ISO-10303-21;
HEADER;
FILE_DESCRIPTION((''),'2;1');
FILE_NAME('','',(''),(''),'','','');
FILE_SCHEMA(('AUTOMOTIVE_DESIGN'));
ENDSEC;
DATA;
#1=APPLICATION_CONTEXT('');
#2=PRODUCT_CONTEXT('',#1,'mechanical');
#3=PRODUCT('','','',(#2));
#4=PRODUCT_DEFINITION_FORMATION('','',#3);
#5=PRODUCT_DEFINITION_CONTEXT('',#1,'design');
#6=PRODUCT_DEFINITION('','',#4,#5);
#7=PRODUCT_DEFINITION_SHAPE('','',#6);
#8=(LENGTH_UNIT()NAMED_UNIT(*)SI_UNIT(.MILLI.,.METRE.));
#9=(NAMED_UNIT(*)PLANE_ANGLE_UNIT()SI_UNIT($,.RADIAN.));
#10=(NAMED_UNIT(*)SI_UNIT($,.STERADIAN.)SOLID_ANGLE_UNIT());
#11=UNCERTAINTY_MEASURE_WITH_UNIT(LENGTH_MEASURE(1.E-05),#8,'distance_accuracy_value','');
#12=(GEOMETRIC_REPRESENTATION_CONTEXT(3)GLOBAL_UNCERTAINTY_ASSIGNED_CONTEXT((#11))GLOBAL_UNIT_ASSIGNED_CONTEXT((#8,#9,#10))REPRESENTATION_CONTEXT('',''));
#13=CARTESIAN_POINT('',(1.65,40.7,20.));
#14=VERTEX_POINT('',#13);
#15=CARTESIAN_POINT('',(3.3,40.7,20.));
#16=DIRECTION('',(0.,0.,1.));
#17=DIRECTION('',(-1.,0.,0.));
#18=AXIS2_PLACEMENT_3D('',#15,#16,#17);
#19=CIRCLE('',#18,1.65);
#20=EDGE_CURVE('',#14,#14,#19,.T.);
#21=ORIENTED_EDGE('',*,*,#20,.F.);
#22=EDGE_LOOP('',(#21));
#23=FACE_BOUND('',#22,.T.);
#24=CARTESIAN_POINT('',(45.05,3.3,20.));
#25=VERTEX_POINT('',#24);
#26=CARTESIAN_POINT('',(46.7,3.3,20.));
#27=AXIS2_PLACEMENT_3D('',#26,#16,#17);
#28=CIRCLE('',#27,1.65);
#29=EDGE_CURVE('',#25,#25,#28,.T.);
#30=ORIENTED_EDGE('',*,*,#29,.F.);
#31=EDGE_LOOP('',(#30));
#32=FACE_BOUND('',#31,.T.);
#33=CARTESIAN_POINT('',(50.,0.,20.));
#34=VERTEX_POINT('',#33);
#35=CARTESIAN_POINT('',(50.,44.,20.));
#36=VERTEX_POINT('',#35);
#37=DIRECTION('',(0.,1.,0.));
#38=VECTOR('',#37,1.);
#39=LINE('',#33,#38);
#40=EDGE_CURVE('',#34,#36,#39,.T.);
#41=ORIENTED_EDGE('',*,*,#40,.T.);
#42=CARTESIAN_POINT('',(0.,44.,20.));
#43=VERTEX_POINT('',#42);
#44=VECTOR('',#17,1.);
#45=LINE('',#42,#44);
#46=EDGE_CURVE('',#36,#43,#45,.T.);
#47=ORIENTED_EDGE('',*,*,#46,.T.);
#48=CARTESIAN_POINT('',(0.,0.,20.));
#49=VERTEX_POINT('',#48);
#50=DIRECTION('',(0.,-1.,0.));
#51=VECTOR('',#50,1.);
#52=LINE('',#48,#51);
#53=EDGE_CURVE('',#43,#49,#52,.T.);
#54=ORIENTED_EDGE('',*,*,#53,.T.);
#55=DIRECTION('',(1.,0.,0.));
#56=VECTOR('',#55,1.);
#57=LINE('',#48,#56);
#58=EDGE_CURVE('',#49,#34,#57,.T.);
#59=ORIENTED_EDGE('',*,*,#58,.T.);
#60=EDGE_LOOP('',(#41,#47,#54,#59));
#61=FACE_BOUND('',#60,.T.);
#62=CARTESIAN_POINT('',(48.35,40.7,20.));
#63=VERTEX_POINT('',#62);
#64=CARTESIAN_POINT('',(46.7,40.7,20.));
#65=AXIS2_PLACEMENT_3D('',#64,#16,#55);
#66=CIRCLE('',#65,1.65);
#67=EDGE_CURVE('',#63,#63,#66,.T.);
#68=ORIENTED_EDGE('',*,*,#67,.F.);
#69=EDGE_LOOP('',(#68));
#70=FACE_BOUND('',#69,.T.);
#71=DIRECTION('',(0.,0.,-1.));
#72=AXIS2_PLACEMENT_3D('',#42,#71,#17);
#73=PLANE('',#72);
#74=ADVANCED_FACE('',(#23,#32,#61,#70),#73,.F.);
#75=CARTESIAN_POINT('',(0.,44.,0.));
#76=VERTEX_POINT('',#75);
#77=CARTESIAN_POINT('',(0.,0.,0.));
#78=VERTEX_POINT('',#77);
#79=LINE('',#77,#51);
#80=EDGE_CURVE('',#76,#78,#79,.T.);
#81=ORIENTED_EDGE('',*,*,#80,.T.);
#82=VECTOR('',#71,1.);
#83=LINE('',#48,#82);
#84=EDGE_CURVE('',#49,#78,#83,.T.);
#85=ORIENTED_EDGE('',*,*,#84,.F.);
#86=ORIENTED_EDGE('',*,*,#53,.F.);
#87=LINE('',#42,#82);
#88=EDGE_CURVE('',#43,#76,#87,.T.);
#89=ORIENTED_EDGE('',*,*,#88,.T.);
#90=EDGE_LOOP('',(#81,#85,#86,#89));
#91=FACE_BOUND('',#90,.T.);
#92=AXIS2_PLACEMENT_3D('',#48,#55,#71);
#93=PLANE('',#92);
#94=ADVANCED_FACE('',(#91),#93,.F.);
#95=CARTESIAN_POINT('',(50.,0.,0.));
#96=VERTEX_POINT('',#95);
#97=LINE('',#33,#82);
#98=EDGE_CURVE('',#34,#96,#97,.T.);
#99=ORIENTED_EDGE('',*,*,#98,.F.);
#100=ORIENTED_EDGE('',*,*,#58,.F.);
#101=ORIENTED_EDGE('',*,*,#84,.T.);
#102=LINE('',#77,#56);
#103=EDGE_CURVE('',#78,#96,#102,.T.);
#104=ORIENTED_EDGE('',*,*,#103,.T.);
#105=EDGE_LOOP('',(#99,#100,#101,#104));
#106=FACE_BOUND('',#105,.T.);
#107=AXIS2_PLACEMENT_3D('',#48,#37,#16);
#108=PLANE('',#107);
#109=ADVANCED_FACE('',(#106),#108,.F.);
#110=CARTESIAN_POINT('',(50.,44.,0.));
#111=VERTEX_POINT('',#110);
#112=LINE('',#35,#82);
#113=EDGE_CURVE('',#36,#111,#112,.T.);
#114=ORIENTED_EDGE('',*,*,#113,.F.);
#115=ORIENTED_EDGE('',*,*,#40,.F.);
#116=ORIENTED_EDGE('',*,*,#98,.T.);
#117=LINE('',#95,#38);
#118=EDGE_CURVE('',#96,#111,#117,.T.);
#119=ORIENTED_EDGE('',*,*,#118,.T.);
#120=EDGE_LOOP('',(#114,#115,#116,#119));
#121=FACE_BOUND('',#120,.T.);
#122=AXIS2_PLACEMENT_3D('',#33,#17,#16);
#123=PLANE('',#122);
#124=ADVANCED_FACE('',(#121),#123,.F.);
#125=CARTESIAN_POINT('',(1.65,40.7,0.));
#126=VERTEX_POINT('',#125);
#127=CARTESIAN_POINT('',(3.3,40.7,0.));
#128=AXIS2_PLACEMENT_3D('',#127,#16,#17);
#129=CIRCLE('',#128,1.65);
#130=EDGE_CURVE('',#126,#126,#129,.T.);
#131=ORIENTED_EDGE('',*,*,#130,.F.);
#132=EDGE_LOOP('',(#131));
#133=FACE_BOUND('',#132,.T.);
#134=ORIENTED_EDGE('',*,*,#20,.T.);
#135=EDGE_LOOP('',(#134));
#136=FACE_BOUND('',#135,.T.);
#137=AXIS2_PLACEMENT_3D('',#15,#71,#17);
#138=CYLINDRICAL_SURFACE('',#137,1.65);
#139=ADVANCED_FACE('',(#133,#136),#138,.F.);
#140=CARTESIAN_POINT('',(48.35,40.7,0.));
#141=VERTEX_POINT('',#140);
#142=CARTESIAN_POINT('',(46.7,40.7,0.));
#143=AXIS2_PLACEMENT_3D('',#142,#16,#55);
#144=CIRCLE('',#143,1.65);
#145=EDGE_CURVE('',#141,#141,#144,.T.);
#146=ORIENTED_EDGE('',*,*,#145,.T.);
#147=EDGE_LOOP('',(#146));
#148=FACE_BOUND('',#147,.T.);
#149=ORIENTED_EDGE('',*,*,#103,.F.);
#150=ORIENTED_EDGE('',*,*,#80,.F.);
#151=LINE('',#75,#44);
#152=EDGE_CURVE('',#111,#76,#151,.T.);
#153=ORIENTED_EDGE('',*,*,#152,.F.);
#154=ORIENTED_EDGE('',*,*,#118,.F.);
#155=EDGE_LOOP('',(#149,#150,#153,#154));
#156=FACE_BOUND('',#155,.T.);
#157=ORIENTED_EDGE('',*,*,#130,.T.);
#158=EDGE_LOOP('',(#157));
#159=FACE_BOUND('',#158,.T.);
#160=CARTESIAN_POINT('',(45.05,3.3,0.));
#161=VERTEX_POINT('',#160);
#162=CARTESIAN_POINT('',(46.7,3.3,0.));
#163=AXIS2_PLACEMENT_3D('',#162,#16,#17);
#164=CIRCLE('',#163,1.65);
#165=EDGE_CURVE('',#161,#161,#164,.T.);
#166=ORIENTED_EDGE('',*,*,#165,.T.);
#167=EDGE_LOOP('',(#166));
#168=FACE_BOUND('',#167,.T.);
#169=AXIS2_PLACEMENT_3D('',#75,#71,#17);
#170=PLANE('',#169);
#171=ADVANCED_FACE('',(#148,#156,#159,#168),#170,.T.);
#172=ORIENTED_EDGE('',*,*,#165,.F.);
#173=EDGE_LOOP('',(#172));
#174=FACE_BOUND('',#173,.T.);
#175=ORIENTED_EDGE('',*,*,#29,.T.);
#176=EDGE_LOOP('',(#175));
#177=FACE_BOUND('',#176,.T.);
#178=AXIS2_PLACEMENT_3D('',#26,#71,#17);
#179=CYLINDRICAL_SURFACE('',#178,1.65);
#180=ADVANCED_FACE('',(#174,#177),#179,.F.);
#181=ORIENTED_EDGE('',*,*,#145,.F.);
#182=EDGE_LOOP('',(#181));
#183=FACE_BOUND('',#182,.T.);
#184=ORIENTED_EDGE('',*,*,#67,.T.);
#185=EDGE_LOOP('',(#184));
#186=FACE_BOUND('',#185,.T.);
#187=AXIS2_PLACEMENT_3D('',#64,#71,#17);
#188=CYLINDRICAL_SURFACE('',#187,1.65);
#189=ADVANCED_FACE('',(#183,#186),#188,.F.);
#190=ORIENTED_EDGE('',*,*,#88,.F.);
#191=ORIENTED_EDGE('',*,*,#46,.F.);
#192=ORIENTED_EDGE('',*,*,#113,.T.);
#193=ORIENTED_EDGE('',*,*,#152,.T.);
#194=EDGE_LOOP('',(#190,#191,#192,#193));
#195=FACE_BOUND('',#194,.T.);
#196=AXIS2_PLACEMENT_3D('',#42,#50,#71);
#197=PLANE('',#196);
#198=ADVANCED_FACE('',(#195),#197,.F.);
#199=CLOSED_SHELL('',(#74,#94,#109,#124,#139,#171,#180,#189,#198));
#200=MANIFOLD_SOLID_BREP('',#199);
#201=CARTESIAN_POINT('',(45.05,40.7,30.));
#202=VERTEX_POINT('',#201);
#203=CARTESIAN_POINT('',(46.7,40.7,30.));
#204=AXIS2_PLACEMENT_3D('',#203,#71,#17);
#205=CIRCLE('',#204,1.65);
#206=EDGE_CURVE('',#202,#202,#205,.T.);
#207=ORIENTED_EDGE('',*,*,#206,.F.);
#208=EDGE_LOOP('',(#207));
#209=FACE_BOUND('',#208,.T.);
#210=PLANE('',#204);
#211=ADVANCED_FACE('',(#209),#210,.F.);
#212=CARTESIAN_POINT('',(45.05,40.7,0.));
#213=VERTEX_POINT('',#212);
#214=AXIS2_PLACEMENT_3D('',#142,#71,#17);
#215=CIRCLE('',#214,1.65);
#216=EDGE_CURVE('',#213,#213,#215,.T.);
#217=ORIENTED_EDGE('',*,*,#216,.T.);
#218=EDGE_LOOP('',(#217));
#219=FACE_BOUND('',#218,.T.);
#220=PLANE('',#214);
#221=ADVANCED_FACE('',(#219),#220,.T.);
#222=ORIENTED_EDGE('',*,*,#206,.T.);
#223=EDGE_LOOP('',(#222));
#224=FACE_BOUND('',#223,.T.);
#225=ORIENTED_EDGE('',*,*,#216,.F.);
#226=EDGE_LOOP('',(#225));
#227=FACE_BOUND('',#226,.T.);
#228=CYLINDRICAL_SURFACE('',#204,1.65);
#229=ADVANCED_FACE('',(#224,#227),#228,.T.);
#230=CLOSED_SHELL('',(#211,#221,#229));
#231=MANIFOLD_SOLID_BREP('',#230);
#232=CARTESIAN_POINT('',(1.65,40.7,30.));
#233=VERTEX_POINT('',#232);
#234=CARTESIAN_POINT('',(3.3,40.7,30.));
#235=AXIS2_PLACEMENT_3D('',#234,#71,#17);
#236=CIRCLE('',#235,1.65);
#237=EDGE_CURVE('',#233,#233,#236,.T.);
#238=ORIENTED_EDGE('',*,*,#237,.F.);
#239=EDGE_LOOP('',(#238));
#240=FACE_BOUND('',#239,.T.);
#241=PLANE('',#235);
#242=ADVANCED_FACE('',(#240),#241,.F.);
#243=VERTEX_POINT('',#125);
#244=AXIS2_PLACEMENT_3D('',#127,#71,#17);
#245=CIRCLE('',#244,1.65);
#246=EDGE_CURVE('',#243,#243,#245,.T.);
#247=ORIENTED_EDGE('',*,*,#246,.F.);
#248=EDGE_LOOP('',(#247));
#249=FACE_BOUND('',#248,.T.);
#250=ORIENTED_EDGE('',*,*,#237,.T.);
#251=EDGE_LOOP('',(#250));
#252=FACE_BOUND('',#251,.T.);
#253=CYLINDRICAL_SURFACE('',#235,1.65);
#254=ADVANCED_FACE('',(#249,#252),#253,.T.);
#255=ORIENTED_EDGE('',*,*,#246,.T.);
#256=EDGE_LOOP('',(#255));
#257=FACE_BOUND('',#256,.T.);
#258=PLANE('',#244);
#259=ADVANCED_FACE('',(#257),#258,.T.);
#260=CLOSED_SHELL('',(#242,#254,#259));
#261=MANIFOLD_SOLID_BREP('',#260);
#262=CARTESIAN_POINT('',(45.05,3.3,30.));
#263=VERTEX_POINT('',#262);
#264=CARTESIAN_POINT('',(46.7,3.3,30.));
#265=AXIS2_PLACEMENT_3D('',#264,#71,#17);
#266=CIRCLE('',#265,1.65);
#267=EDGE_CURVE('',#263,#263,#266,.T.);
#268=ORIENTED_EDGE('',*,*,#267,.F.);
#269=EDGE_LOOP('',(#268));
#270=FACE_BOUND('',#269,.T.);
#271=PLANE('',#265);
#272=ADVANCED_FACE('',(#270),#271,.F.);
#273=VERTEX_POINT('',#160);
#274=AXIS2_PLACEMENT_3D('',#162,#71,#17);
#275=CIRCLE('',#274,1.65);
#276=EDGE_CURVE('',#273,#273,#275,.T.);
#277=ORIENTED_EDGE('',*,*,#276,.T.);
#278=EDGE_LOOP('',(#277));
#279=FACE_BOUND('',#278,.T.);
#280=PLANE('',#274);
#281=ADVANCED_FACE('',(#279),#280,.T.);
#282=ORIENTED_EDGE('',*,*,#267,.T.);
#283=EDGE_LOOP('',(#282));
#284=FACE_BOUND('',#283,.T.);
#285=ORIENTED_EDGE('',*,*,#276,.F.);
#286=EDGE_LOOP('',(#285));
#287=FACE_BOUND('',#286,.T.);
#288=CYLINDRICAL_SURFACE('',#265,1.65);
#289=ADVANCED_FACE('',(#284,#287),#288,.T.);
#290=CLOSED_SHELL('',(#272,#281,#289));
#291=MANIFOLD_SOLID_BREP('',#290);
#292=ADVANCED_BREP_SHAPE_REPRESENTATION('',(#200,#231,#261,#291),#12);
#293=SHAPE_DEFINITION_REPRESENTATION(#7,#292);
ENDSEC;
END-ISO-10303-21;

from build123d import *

# Parameters (mm, degrees)
SKETCH1_W             = 50
SKETCH1_H             = 44
SKETCH1_R             = 1.65
BOSS_EXTRUDE1_DEPTH   = 20
SKETCH3_R             = 1.65
BOSS_EXTRUDE2_DEPTH   = 30
BOSS_EXTRUDE2_2_DEPTH = 30
BOSS_EXTRUDE2_3_DEPTH = 30


with BuildPart() as part:
    # Sketch1 → Boss-Extrude1 (new body)
    with BuildSketch(Plane.XY):
        with Locations((25, 22)):
            Rectangle(SKETCH1_W, SKETCH1_H)
        with Locations((46.7, 40.7)):
            Circle(SKETCH1_R, mode=Mode.SUBTRACT)
        with Locations((3.3, 40.7)):
            Circle(SKETCH1_R, mode=Mode.SUBTRACT)
        with Locations((46.7, 3.3)):
            Circle(SKETCH1_R, mode=Mode.SUBTRACT)
    extrude(amount=BOSS_EXTRUDE1_DEPTH)


with BuildPart() as body_2:
    # Sketch3 → Boss-Extrude2 (new body)
    with BuildSketch(Plane(origin=(0, 0, 0), x_dir=(-1, 0, 0), z_dir=(0, 0, -1))):
        with Locations((-46.7, 40.7)):
            Circle(SKETCH3_R)
    extrude(amount=-BOSS_EXTRUDE2_DEPTH)


with BuildPart() as body_3:
    # Sketch3 → Boss-Extrude2 2 (new body)
    with BuildSketch(Plane(origin=(0, 0, 0), x_dir=(-1, 0, 0), z_dir=(0, 0, -1))):
        with Locations((-46.7, 3.3)):
            Circle(SKETCH3_R)
    extrude(amount=-BOSS_EXTRUDE2_2_DEPTH)


with BuildPart() as body_4:
    # Sketch3 → Boss-Extrude2 3 (new body)
    with BuildSketch(Plane(origin=(0, 0, 0), x_dir=(-1, 0, 0), z_dir=(0, 0, -1))):
        with Locations((-3.3, 40.7)):
            Circle(SKETCH3_R)
    extrude(amount=-BOSS_EXTRUDE2_3_DEPTH)


solid = Compound([part.part, body_2.part, body_3.part, body_4.part])
